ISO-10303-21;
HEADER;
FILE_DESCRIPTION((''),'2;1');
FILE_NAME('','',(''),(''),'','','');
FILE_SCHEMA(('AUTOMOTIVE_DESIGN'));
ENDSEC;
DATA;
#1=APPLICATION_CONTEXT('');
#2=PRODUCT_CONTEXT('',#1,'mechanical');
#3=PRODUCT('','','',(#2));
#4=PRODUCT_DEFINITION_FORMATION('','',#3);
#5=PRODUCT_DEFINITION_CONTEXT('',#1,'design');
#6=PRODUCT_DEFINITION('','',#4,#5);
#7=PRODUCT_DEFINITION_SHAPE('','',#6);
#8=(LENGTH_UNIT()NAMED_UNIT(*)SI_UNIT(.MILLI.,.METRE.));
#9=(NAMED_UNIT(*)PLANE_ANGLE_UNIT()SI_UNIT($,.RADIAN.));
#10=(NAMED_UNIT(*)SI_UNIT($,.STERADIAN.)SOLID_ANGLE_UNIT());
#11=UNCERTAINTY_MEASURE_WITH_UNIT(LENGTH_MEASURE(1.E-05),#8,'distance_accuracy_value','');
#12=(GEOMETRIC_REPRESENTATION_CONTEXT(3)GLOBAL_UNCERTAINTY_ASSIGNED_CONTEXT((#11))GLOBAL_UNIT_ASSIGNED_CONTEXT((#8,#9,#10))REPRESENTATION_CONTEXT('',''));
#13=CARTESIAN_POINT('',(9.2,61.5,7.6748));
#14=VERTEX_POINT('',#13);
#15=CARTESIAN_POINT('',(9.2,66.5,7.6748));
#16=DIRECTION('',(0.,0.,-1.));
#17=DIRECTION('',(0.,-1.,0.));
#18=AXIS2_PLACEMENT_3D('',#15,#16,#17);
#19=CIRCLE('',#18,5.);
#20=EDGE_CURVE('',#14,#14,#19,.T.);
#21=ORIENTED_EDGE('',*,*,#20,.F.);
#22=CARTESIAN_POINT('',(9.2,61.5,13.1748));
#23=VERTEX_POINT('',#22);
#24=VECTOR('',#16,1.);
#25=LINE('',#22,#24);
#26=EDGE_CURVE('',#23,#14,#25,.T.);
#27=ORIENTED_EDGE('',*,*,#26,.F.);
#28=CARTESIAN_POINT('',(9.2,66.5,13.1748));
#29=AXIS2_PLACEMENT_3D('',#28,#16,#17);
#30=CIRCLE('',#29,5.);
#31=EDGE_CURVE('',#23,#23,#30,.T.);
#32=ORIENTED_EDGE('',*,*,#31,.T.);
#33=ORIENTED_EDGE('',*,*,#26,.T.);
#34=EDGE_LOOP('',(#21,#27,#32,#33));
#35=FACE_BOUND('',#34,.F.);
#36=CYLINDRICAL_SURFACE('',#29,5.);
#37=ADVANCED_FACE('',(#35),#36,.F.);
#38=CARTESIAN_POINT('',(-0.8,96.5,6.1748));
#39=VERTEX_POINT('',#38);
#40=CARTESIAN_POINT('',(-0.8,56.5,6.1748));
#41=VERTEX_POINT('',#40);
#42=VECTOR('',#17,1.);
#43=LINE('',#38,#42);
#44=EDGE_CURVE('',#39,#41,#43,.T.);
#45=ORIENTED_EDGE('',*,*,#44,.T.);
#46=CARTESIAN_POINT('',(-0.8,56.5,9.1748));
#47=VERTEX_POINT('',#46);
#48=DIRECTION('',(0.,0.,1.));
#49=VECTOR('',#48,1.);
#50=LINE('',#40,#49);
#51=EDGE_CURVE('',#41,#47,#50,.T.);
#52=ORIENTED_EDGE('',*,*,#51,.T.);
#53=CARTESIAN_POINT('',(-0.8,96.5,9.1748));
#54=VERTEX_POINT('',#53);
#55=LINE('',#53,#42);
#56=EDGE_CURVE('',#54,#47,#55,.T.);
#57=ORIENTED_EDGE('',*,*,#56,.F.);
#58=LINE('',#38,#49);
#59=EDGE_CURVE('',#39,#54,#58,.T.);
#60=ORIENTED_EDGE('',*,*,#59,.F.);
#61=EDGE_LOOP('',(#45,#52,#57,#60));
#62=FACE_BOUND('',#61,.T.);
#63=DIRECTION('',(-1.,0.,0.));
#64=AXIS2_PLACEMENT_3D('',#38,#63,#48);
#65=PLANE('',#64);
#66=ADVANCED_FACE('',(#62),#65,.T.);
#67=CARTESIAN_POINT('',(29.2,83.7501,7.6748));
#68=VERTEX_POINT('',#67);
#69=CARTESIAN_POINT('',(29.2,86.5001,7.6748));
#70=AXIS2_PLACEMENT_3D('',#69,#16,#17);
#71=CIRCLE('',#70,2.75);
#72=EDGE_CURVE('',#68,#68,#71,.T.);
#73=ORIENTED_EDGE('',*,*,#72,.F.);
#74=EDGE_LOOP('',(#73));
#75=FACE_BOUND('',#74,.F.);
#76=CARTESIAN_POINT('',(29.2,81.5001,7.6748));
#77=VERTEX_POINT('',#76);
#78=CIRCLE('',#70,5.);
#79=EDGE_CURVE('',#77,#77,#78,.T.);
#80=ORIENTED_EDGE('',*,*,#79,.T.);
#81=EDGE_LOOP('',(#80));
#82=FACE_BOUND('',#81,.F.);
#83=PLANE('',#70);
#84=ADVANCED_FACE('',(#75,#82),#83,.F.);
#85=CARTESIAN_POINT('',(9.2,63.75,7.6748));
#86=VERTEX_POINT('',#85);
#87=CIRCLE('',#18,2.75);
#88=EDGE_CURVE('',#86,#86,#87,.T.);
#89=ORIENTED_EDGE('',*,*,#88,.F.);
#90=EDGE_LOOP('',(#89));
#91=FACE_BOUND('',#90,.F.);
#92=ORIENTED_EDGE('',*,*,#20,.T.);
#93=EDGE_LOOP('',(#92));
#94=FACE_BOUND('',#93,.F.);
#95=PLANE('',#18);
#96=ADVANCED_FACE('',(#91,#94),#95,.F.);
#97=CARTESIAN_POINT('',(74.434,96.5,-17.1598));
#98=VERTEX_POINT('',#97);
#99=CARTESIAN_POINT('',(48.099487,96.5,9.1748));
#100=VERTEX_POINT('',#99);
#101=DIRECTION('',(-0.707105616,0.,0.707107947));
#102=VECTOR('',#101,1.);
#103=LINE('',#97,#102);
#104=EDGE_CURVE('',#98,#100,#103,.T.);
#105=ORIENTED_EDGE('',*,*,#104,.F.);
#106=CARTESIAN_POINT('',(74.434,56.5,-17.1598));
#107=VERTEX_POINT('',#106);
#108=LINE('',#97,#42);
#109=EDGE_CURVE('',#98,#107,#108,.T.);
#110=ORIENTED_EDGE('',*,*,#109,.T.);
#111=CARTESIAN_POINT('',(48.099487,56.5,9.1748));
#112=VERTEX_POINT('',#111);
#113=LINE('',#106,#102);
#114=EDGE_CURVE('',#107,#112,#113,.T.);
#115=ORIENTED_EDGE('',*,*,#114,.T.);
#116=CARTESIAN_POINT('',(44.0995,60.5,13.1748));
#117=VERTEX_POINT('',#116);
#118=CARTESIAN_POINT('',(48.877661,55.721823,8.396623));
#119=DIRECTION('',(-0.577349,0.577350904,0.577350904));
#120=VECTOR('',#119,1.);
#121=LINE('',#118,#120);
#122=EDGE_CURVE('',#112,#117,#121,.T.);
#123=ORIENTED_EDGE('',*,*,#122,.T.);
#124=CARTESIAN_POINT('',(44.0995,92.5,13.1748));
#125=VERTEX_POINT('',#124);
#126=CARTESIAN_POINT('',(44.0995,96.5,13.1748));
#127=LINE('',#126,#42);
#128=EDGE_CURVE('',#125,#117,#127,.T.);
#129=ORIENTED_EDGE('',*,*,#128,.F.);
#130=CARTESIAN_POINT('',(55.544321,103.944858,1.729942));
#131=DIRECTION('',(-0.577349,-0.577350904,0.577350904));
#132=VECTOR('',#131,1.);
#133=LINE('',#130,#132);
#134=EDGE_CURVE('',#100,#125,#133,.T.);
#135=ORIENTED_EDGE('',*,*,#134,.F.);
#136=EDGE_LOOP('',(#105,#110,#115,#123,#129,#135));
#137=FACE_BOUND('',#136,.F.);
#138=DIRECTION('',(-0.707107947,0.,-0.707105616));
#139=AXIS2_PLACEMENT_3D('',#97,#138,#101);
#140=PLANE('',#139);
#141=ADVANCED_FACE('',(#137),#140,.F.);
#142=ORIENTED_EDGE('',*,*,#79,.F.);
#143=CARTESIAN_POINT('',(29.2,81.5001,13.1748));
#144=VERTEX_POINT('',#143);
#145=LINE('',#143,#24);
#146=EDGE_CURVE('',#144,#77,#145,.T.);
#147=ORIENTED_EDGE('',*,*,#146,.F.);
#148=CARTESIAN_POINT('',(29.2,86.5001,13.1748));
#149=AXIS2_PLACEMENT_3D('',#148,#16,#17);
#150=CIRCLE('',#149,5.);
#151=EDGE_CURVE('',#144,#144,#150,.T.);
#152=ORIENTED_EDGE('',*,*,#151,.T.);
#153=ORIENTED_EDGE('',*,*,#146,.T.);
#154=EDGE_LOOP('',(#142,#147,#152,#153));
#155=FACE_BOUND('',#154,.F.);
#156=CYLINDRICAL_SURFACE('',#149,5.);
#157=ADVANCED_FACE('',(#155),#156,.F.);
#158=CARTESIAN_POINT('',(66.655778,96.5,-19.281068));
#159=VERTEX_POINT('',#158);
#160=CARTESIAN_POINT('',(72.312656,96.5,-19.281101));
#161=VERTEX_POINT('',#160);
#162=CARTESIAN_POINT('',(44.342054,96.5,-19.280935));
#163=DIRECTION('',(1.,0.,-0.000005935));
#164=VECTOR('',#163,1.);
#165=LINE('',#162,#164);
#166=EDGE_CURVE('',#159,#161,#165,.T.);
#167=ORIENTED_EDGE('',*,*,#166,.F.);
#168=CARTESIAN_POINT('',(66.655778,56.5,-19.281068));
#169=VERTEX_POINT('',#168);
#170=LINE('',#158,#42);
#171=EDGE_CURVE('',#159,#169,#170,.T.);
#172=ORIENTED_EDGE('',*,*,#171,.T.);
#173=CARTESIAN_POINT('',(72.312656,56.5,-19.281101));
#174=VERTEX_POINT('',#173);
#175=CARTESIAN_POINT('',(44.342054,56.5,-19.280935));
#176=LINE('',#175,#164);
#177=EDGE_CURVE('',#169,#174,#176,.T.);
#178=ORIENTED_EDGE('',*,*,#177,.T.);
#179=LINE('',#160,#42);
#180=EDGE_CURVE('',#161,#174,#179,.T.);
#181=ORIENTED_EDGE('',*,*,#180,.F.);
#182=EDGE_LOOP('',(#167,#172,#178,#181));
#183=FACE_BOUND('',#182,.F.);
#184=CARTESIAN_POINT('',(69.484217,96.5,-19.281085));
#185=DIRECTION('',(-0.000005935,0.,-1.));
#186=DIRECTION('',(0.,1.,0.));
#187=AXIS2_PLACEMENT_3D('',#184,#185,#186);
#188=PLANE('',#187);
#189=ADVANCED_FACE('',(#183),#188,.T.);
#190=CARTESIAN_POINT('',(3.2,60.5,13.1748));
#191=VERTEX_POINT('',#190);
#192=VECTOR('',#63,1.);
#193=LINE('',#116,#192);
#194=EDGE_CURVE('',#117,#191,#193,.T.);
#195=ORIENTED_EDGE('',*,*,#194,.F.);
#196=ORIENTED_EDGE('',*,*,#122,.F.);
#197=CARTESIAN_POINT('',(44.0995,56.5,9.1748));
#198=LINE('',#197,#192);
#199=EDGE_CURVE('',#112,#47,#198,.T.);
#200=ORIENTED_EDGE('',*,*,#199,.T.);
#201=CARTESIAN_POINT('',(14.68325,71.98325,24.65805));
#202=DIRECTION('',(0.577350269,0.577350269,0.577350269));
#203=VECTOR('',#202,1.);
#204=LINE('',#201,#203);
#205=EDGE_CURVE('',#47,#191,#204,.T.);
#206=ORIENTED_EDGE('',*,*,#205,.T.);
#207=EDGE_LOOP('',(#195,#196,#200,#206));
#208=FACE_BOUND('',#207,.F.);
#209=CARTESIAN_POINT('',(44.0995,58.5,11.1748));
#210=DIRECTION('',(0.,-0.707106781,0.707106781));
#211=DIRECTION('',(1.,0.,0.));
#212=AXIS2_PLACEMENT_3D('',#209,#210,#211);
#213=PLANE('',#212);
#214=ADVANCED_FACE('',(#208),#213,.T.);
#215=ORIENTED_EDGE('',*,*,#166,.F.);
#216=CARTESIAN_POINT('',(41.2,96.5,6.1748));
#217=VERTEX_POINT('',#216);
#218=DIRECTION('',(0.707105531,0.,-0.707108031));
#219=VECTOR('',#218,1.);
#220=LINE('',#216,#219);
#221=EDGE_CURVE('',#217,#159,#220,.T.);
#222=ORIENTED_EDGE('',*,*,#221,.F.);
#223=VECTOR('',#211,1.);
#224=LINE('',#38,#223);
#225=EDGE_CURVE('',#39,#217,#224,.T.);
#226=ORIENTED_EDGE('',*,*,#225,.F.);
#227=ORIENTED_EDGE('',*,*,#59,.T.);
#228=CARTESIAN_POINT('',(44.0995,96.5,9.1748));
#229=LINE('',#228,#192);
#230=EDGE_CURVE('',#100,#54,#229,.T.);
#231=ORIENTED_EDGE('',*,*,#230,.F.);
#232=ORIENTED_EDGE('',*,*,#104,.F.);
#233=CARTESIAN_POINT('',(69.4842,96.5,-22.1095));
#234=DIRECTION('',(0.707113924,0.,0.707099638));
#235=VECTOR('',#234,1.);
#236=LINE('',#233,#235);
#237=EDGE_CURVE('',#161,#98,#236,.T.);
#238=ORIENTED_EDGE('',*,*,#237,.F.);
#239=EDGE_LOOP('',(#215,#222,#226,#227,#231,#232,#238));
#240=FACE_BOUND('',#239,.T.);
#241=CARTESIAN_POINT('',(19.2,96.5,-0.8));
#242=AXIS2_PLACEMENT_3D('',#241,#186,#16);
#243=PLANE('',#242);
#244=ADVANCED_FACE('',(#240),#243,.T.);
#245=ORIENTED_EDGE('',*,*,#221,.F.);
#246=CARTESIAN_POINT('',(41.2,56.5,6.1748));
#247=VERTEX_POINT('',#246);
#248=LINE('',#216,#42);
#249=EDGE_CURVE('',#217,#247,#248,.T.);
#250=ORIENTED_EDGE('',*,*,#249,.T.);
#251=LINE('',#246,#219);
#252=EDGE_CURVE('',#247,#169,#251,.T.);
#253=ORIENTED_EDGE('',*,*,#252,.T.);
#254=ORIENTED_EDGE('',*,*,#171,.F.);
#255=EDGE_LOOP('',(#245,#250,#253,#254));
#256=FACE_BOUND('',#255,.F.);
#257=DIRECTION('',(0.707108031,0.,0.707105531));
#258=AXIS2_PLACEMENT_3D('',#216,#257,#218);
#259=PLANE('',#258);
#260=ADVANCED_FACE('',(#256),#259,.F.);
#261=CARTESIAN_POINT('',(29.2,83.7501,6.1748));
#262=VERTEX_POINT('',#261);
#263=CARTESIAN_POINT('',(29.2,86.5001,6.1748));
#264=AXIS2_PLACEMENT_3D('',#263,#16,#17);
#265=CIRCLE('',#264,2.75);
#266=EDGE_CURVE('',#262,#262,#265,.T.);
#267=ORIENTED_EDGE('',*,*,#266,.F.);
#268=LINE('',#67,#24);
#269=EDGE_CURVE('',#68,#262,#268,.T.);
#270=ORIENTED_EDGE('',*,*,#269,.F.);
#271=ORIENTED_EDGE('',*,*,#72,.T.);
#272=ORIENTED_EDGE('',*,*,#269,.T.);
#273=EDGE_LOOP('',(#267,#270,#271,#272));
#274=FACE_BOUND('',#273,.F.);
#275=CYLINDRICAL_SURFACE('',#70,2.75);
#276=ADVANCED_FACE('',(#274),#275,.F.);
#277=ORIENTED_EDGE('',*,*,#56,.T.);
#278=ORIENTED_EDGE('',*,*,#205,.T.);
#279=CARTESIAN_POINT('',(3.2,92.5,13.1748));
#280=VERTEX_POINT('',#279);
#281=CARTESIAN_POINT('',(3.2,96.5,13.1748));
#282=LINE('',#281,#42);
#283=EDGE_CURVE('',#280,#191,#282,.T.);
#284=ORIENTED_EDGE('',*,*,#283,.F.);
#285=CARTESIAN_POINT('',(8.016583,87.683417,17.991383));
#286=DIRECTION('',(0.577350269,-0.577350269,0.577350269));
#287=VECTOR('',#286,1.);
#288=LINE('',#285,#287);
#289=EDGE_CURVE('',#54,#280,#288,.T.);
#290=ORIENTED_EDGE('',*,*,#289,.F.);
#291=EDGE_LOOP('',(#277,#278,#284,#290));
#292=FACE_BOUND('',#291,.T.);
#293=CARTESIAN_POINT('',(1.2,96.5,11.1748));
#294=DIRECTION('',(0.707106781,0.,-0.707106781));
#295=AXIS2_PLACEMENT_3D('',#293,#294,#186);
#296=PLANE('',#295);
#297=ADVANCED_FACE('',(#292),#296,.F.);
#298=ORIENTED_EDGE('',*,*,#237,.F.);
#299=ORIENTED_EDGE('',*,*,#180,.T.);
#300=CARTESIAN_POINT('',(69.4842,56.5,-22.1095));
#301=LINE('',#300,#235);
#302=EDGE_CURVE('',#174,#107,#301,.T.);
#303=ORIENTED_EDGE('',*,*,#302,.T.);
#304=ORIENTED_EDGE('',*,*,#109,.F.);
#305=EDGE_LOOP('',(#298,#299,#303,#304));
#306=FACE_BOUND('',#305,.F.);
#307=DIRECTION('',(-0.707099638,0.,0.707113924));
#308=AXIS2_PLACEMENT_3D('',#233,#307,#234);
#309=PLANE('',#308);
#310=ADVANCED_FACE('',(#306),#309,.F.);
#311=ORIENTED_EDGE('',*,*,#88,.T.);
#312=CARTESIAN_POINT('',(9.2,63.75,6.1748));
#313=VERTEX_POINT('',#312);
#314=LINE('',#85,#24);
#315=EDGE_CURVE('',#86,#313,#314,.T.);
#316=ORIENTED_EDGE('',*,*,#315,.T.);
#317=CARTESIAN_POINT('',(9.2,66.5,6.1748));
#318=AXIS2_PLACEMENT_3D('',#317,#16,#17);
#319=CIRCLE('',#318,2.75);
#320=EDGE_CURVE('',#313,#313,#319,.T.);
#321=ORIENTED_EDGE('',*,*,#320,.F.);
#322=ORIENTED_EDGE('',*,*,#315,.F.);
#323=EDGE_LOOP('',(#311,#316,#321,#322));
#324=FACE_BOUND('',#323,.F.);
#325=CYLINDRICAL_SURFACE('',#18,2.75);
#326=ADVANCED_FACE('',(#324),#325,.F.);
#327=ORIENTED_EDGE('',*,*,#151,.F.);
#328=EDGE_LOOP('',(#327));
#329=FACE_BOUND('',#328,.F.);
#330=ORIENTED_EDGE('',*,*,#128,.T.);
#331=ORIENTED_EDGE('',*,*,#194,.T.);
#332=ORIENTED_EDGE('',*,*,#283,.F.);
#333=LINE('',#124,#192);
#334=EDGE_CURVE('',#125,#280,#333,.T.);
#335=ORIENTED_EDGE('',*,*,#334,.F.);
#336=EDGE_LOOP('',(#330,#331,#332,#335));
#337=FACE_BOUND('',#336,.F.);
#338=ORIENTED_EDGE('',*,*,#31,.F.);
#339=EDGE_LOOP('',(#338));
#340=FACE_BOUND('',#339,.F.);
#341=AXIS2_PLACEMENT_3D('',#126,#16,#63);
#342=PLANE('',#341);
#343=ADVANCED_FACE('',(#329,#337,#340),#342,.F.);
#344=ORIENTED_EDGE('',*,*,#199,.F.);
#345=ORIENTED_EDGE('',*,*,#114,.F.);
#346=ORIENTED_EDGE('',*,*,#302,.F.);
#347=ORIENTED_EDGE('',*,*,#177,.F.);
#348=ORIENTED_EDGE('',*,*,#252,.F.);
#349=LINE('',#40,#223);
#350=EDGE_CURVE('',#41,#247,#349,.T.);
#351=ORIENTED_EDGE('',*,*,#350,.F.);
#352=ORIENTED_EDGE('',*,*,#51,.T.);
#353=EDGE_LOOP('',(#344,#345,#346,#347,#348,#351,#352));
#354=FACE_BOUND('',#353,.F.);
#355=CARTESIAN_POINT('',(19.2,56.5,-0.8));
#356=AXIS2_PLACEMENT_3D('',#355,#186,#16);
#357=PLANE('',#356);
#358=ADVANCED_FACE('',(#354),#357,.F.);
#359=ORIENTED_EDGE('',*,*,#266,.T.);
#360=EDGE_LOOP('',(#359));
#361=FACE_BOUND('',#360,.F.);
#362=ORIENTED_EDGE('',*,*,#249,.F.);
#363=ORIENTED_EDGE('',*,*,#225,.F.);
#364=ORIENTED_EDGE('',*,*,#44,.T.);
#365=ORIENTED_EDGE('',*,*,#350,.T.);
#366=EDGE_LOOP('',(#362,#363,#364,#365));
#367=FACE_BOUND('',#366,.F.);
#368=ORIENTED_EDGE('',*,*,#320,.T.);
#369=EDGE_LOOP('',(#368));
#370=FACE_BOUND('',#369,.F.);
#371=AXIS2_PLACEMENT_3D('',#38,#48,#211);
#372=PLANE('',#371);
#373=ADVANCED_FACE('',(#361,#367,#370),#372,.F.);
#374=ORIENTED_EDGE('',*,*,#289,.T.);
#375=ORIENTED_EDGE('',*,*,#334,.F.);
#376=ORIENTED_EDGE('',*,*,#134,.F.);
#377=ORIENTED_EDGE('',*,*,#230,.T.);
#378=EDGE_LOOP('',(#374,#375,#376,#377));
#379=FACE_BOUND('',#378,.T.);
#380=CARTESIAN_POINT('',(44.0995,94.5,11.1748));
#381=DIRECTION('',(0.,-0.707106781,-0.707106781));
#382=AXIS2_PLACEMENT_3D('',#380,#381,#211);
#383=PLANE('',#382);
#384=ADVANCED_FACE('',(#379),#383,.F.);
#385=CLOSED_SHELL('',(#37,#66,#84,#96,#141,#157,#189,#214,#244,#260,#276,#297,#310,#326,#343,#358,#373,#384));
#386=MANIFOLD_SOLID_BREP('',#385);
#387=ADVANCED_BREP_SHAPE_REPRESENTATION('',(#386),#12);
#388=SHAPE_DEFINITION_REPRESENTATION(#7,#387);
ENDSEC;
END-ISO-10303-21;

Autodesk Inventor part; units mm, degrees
ref_plane "YZ Plane" through (0, 0, 0) normal (1, 0, 0) x (0, 1, 0)
ref_plane "XZ Plane" through (0, 0, 0) normal (0, 1, 0) x (-1, 0, 0)
ref_plane "XY Plane" through (0, 0, 0) normal (0, 0, 1) x (1, 0, 0)
ref_plane "Plano de trabajo1" through (19.2, 96.5, -0.8) normal (0, 1, 0) x (0, 0, -1)
sketch "Boceto1" plane through (19.2, 96.5, -0.8) normal (0, 1, 0) x (0, 0, -1)
  line L0 (-0.8, -18.4634) -> (-0.8, 18.4634) projected
  line L1 (-6.9748, 20) -> (-6.9748, -22)
  line L2 (-6.9748, -22) -> (21.3095, -50.2842)
  line L3 (-6.1748, 20) -> (283.8252, 20) projected
  line L4 (16.3598, -55.234) -> (-13.9748, -24.8995)
  line L5 (-13.9748, -24.8995) -> (-13.9748, 20)
  line L6 (21.3095, -50.2842) -> (16.3598, -55.234)
  line L7 (-6.9748, 20) -> (-13.9748, 20)
  point P0 (-0.8, 19.2)
  point P1 (-0.8, 18.4634)
  dimension "d0" = 135
  dimension "d1" = 42
  dimension "d2" = 40
  dimension "d3" = 7
extrude "Extrusión1" add sketch "Boceto1" against normal blind 40
chamfer "Chaflán1" distance 4 angle 45 1 edges at (69.4842, 76.5, -22.1095)
chamfer "Chaflán2" distance 4 angle 45 3 edges at (-0.8, 76.5, 13.1748) (21.6497, 96.5, 13.1748) (21.6497, 56.5, 13.1748)
sketch "Boceto2" plane through (3.2, 92.5, 13.1748) normal (0, 0, 1) x (1, 0, 0)
  circle A0 centre (6, -6) radius 2.5 projected
  circle A1 centre (26, -5.9999) radius 2.6 projected
  circle A2 centre (6, -26) radius 2.5 projected
  point P0 (-3.2, -92.5)
hole "Agujero1" at (29.2, 86.5001, 13.1748) at (9.2, 66.5, 13.1748) direction (0, 0, -1) diameter 5.5 end through all counterbore diameter 10 counterbore depth 5.5 clearance for "Tornillo de cabeza hueca DIN EN ISO 4762" size "M5" standard "DIN"
sketch "Boceto3" plane through (74.434, 56.5, -17.1598) normal (0.7071, 0, 0.7071) x (0.7071, 0, -0.7071)
  line L0 (114.1005, 77) -> (-42.8995, 77)
  line L1 (-42.8995, 77) -> (-42.8995, 0)
  line L2 (-42.8995, 0) -> (114.1005, 0)
  line L3 (114.1005, 0) -> (114.1005, 77)
  line L4 (-42.8995, 36) -> (-42.8995, 4) projected
  line L5 (0, 0) -> (-37.2426, 0) projected
  point P0 (-64.7666, -56.5)
  dimension "d19" = 157
  dimension "d20" = 77
extrude "Extrusión2" [suppressed]
equation "\"d17\" = Grosor"
equation "\"Profundidad_desahogo_plegado\" = 0.5 * Grosor"
equation "\"Grosor\" = 10"
properties part number "SoporteKlipperScreen"
